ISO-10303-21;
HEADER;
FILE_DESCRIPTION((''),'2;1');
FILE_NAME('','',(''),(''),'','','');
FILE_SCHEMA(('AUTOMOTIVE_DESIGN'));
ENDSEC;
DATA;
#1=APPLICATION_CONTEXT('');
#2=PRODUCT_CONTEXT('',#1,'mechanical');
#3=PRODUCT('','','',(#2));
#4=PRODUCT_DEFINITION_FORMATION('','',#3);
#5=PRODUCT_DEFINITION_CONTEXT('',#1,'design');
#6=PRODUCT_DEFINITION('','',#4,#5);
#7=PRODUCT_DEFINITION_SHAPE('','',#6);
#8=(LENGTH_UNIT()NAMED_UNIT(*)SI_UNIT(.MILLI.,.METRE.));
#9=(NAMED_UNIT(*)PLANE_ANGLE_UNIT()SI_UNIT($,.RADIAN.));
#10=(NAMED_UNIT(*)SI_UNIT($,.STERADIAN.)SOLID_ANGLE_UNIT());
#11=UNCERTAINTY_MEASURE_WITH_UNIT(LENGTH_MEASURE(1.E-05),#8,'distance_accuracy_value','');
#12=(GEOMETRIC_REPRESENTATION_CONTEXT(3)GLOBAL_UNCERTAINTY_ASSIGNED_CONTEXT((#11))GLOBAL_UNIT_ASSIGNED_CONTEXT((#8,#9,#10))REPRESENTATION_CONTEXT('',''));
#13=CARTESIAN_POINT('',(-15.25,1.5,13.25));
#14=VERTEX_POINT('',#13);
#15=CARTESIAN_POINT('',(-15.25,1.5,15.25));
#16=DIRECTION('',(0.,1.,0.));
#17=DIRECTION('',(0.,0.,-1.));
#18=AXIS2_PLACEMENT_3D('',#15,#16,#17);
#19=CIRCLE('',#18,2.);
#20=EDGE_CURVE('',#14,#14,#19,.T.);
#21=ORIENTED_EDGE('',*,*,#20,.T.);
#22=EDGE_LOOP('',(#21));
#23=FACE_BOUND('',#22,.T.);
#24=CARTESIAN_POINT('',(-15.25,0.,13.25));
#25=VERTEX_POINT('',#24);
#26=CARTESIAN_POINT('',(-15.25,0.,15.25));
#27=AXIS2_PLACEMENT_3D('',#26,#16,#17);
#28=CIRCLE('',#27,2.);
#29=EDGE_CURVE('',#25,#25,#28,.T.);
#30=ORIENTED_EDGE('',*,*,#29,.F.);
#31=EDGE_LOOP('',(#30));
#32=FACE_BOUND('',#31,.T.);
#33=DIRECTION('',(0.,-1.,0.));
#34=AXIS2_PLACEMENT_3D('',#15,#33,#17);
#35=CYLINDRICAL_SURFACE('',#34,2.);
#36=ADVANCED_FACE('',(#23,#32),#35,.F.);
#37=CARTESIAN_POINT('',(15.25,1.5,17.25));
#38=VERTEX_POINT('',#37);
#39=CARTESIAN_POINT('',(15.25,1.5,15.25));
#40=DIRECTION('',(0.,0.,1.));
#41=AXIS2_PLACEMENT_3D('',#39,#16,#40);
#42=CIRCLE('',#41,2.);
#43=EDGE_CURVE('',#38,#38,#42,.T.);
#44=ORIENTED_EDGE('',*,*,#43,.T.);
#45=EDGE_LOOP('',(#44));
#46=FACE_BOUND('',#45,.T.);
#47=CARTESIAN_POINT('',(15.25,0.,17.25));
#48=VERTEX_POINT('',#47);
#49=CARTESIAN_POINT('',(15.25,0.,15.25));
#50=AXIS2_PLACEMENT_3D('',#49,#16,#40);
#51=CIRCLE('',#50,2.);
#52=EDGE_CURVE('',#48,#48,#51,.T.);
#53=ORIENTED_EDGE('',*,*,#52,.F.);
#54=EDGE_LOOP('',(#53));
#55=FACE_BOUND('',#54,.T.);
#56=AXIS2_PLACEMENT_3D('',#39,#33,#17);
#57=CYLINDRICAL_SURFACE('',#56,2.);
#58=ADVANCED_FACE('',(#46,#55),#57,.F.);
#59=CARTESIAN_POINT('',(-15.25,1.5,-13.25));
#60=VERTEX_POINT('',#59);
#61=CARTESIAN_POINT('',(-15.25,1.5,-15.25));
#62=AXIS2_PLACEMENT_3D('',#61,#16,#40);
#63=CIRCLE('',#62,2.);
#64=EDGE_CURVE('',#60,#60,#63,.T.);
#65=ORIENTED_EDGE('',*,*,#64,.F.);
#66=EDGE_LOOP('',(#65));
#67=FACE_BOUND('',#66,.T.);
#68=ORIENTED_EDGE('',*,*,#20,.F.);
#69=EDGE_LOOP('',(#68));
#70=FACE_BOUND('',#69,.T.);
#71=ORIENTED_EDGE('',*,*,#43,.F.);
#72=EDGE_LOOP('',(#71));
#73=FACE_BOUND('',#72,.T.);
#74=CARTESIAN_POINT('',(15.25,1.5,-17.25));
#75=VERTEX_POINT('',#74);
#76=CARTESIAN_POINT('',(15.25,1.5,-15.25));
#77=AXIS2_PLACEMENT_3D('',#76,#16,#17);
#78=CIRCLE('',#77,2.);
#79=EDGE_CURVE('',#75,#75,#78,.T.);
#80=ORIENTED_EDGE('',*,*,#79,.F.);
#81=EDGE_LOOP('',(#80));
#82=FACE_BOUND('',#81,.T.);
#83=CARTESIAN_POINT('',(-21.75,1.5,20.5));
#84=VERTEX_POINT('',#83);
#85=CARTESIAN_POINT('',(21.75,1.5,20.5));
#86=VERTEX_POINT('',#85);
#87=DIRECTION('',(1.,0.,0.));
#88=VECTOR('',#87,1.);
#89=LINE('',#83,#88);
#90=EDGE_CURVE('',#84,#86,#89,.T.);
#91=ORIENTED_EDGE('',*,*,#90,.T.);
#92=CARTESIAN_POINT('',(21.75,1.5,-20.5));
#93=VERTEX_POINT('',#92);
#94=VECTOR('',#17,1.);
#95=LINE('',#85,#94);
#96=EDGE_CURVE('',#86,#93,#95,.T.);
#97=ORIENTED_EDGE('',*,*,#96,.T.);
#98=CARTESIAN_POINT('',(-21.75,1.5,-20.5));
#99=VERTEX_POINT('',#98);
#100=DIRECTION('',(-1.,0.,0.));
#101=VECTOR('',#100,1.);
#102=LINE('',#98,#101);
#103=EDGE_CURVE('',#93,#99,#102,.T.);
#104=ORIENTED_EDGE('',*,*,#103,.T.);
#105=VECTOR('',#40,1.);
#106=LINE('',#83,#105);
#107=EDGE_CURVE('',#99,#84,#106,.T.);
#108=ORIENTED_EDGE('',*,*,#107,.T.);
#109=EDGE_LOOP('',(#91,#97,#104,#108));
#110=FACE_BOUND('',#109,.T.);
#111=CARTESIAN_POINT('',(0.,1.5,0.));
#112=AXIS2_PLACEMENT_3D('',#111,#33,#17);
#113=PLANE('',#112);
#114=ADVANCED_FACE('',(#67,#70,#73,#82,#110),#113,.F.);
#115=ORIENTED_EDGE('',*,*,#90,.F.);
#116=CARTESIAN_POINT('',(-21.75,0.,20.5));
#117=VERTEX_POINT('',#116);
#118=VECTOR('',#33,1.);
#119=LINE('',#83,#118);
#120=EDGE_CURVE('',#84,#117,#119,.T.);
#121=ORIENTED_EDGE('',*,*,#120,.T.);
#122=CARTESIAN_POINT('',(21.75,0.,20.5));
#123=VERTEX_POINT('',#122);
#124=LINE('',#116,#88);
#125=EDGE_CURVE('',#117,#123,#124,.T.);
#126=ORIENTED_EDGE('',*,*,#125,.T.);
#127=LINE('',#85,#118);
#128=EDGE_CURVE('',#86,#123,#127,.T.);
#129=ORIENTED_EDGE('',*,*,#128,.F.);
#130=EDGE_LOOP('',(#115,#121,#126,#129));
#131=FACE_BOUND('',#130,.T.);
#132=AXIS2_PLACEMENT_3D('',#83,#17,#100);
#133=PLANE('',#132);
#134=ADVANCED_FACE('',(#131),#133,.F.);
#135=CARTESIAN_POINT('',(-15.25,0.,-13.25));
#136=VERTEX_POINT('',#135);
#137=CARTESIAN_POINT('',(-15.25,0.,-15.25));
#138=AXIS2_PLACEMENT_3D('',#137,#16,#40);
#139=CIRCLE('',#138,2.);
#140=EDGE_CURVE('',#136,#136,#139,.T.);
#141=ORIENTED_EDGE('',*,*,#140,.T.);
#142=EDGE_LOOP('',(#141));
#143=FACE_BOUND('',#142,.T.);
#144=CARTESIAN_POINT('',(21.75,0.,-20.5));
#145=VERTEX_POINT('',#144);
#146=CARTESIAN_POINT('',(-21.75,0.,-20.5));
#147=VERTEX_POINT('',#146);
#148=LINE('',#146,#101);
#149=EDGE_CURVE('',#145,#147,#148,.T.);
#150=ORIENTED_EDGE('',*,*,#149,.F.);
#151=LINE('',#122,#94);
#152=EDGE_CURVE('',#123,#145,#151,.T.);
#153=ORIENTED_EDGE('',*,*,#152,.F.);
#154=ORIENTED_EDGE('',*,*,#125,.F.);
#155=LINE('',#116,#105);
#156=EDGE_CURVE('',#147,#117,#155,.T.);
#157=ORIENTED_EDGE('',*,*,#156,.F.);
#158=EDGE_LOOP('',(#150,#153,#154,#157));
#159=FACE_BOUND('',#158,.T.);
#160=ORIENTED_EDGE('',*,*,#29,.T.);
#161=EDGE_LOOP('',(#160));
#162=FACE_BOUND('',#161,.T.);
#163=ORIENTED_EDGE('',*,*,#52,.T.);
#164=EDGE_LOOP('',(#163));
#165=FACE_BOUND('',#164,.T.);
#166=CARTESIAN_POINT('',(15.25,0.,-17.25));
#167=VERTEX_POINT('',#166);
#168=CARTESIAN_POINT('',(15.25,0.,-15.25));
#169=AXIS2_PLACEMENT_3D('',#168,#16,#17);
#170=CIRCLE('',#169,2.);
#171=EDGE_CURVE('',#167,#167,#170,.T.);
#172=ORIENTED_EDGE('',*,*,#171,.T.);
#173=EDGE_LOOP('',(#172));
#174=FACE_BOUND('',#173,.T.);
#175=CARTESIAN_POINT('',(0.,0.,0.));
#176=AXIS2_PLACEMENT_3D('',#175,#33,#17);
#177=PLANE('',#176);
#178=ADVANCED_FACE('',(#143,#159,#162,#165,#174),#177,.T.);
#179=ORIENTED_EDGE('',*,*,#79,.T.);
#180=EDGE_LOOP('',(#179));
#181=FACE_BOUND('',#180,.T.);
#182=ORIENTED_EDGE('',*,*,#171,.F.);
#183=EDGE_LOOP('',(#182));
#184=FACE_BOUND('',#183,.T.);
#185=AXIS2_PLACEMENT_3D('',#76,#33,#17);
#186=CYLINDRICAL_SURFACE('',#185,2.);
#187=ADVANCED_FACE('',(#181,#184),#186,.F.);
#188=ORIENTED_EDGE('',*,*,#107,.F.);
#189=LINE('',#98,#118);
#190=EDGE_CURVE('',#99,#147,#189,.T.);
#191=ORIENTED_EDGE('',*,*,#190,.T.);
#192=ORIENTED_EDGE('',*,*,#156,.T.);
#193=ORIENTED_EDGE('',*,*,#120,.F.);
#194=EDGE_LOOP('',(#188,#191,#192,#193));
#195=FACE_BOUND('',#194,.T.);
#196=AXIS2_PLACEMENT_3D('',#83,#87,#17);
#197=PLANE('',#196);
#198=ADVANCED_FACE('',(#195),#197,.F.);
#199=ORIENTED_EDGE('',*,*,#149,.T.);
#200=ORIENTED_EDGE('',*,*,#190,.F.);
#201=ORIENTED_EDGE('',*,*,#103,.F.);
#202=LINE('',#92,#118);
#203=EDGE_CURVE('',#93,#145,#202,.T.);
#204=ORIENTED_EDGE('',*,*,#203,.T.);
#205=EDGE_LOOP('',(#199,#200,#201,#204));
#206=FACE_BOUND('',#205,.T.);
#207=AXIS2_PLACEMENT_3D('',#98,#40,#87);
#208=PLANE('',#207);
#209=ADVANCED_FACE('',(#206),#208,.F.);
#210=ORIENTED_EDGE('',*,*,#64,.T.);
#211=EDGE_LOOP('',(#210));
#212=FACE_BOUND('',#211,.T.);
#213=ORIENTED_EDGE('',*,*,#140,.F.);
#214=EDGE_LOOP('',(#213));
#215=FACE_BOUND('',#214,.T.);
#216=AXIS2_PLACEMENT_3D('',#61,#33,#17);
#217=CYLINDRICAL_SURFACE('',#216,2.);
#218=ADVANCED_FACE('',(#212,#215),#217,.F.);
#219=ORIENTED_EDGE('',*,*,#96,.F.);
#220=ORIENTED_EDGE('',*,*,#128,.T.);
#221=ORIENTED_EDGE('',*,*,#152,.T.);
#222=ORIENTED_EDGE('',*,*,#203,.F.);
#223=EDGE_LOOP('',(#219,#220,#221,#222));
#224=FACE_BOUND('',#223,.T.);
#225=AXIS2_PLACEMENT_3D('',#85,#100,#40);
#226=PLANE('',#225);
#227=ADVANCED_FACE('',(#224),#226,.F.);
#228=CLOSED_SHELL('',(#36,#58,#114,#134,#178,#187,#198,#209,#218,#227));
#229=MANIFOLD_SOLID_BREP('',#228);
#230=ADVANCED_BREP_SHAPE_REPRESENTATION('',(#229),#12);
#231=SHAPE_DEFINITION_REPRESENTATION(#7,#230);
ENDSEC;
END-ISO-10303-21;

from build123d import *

# Parameters (mm, degrees)
SKETCH_1_W      = 43.5
SKETCH_1_H      = 41
SKETCH_1_R      = 2
EXTRUDE_1_DEPTH = 1.5


with BuildPart() as part:
    # 草图1 → 凸台-拉伸1 (new body)
    with BuildSketch(Plane(origin=(0, 0, 0), x_dir=(1, 0, 0), z_dir=(0, 1, 0))):
        Rectangle(SKETCH_1_W, SKETCH_1_H)
        with Locations(Location((-15.25, 15.25, 0), (0, 0, 270))):
            Circle(SKETCH_1_R, mode=Mode.SUBTRACT)
        with Locations(Location((15.25, 15.25, 0), (0, 0, 90))):
            Circle(SKETCH_1_R, mode=Mode.SUBTRACT)
        with Locations(Location((15.25, -15.25, 0), (0, 0, 270))):
            Circle(SKETCH_1_R, mode=Mode.SUBTRACT)
        with Locations(Location((-15.25, -15.25, 0), (0, 0, 90))):
            Circle(SKETCH_1_R, mode=Mode.SUBTRACT)
    extrude(amount=EXTRUDE_1_DEPTH)


solid = part.part
